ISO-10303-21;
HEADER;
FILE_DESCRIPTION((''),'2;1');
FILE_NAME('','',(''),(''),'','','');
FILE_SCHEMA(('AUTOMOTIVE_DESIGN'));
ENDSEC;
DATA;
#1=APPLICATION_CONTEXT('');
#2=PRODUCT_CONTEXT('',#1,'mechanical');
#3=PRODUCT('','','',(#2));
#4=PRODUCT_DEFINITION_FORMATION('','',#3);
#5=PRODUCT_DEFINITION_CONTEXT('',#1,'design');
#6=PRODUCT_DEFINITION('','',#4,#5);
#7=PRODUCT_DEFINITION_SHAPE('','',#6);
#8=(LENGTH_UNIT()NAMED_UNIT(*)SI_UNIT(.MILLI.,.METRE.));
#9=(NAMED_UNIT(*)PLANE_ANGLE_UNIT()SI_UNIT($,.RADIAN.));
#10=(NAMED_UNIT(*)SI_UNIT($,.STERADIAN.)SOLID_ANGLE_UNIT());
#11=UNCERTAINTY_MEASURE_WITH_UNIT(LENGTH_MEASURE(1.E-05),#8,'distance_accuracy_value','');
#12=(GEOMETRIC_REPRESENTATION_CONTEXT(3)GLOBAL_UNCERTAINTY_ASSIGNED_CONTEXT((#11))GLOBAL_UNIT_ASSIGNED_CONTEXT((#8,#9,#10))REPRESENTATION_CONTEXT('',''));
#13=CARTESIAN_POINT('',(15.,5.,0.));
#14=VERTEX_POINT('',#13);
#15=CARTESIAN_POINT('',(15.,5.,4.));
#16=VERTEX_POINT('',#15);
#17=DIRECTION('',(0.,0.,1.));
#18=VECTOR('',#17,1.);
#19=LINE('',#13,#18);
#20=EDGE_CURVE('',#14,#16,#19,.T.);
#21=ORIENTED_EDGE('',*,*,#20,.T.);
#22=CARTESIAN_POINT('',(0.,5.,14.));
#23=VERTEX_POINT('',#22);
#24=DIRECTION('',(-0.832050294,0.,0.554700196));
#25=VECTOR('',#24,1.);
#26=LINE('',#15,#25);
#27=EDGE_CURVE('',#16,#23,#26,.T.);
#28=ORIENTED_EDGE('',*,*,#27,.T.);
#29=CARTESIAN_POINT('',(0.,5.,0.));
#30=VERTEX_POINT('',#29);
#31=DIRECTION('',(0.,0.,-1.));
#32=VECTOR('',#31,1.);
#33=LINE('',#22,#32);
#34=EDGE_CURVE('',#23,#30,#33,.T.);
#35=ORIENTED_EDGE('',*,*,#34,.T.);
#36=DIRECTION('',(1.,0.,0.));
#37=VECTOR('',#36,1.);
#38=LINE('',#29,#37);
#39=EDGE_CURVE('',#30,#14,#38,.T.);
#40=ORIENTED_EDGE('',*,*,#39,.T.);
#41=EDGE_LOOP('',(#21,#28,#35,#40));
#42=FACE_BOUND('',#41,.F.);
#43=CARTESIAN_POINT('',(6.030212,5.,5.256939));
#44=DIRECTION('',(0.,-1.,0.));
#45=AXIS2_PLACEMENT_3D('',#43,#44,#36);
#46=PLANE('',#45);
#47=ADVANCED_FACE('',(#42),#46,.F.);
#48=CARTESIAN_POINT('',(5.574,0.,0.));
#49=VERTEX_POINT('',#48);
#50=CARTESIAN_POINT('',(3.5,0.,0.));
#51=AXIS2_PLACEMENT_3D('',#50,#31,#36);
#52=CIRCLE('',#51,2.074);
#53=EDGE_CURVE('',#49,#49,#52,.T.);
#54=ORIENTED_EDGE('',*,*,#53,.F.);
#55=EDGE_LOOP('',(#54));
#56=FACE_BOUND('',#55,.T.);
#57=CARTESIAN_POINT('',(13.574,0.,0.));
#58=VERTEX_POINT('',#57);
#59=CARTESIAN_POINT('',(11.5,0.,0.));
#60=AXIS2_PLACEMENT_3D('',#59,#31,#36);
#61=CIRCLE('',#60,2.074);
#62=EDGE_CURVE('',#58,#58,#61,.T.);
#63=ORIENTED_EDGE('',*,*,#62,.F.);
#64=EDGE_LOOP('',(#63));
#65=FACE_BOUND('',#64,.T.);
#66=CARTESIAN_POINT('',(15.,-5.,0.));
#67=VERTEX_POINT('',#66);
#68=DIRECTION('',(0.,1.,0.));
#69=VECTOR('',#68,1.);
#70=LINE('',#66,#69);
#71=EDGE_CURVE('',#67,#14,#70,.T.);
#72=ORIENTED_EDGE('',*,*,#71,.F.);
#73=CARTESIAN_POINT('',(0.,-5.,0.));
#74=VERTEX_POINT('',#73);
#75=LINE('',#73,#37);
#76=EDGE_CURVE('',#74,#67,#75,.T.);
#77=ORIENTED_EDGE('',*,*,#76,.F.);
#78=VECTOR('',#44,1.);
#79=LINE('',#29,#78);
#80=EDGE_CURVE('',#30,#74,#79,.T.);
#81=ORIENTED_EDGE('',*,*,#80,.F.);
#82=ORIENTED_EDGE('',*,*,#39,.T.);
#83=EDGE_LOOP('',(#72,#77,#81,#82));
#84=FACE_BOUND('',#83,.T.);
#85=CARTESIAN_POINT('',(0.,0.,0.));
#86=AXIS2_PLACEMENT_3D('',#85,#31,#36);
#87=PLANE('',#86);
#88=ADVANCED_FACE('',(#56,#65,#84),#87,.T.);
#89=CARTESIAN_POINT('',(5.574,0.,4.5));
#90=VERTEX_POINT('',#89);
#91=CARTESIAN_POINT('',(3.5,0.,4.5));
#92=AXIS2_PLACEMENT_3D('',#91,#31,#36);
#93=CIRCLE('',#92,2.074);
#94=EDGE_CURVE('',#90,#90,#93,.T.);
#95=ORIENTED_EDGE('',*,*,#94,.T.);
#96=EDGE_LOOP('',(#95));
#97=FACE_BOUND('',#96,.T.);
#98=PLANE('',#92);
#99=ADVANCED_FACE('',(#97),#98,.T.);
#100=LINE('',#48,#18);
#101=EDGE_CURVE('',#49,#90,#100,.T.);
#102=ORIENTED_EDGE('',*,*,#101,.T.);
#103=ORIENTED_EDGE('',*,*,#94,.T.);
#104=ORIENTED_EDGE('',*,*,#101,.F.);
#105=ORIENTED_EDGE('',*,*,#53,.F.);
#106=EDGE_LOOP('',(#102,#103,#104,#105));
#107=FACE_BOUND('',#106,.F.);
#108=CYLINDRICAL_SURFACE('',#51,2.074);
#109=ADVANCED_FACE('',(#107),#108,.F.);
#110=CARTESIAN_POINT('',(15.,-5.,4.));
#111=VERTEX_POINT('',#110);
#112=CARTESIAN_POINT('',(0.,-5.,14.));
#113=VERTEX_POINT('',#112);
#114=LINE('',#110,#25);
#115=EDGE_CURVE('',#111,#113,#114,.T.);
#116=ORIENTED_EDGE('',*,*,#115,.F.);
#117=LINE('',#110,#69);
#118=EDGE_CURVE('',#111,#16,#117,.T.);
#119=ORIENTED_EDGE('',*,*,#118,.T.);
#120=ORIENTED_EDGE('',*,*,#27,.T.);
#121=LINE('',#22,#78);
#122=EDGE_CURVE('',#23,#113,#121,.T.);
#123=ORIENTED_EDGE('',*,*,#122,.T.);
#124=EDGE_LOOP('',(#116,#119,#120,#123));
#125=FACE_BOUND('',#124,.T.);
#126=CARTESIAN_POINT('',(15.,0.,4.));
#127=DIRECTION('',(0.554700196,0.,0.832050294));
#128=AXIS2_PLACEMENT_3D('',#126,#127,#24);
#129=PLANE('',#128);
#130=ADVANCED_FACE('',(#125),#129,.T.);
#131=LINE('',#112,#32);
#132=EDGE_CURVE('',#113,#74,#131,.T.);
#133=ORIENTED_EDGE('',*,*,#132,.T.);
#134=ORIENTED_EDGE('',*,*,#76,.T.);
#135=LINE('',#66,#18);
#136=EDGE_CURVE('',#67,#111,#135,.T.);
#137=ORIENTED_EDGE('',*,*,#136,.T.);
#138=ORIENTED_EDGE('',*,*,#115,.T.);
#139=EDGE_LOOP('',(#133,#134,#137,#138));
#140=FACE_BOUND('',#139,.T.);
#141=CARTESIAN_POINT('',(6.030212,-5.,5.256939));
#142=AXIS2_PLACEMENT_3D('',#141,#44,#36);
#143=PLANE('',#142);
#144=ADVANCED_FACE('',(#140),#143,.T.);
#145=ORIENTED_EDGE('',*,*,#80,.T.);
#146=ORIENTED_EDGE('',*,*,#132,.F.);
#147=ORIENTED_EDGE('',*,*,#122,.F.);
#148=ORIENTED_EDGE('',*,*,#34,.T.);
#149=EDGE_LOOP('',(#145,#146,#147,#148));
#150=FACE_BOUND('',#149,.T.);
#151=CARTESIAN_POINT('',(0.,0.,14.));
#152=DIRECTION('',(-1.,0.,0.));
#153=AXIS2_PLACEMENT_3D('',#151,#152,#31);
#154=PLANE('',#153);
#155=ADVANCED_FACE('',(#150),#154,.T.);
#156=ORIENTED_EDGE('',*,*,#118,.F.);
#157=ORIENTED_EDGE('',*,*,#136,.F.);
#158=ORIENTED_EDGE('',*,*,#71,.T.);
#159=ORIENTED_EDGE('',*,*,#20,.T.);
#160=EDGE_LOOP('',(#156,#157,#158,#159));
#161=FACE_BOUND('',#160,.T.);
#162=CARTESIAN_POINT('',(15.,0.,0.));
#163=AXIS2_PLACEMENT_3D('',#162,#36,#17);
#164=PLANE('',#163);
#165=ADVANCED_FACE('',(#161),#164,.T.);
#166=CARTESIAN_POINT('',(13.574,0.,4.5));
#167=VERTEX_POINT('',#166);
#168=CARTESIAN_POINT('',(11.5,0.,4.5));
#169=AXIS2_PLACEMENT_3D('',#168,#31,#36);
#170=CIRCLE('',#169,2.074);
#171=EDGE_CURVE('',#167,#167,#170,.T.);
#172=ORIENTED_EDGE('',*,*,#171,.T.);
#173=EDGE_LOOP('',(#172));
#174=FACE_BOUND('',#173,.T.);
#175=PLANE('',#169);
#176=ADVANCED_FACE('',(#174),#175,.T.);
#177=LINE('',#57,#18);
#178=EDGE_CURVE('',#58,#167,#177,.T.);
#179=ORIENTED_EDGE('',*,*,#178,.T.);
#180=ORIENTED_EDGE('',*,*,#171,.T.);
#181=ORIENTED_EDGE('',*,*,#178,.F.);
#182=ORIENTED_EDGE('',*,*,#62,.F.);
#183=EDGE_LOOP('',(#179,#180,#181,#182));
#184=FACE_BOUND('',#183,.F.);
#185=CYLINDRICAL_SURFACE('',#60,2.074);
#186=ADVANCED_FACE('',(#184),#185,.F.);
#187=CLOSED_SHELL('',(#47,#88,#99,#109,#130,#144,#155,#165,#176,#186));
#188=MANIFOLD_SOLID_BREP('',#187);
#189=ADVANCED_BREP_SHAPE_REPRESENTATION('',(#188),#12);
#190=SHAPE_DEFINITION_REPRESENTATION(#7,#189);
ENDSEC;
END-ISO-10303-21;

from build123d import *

# Parameters (mm, degrees)
F1_DEPTH      = 5
F1_DEPTH_BACK = 5
F2_R          = 2.074
F3_DEPTH      = 4.5


with BuildPart() as f1:
    # F0 (on Front) → F1 (new body, two sides)
    with BuildSketch(Plane.XZ) as f1_sk:
        Polygon((15, 4), (0, 14), (0, 0), (15, 0), align=None)
    extrude(amount=F1_DEPTH)
    extrude(f1_sk.sketch, amount=-F1_DEPTH_BACK)

    # F2 (on face) → F3 (cut)
    with BuildSketch(Plane(origin=(0, 0, 0), x_dir=(1, 0, 0), z_dir=(0, 0, -1))):
        with Locations((3.5, 0)):
            Circle(F2_R)
        with Locations((11.5, 0)):
            Circle(F2_R)
    extrude(amount=-F3_DEPTH, mode=Mode.SUBTRACT)


solid = f1.part
